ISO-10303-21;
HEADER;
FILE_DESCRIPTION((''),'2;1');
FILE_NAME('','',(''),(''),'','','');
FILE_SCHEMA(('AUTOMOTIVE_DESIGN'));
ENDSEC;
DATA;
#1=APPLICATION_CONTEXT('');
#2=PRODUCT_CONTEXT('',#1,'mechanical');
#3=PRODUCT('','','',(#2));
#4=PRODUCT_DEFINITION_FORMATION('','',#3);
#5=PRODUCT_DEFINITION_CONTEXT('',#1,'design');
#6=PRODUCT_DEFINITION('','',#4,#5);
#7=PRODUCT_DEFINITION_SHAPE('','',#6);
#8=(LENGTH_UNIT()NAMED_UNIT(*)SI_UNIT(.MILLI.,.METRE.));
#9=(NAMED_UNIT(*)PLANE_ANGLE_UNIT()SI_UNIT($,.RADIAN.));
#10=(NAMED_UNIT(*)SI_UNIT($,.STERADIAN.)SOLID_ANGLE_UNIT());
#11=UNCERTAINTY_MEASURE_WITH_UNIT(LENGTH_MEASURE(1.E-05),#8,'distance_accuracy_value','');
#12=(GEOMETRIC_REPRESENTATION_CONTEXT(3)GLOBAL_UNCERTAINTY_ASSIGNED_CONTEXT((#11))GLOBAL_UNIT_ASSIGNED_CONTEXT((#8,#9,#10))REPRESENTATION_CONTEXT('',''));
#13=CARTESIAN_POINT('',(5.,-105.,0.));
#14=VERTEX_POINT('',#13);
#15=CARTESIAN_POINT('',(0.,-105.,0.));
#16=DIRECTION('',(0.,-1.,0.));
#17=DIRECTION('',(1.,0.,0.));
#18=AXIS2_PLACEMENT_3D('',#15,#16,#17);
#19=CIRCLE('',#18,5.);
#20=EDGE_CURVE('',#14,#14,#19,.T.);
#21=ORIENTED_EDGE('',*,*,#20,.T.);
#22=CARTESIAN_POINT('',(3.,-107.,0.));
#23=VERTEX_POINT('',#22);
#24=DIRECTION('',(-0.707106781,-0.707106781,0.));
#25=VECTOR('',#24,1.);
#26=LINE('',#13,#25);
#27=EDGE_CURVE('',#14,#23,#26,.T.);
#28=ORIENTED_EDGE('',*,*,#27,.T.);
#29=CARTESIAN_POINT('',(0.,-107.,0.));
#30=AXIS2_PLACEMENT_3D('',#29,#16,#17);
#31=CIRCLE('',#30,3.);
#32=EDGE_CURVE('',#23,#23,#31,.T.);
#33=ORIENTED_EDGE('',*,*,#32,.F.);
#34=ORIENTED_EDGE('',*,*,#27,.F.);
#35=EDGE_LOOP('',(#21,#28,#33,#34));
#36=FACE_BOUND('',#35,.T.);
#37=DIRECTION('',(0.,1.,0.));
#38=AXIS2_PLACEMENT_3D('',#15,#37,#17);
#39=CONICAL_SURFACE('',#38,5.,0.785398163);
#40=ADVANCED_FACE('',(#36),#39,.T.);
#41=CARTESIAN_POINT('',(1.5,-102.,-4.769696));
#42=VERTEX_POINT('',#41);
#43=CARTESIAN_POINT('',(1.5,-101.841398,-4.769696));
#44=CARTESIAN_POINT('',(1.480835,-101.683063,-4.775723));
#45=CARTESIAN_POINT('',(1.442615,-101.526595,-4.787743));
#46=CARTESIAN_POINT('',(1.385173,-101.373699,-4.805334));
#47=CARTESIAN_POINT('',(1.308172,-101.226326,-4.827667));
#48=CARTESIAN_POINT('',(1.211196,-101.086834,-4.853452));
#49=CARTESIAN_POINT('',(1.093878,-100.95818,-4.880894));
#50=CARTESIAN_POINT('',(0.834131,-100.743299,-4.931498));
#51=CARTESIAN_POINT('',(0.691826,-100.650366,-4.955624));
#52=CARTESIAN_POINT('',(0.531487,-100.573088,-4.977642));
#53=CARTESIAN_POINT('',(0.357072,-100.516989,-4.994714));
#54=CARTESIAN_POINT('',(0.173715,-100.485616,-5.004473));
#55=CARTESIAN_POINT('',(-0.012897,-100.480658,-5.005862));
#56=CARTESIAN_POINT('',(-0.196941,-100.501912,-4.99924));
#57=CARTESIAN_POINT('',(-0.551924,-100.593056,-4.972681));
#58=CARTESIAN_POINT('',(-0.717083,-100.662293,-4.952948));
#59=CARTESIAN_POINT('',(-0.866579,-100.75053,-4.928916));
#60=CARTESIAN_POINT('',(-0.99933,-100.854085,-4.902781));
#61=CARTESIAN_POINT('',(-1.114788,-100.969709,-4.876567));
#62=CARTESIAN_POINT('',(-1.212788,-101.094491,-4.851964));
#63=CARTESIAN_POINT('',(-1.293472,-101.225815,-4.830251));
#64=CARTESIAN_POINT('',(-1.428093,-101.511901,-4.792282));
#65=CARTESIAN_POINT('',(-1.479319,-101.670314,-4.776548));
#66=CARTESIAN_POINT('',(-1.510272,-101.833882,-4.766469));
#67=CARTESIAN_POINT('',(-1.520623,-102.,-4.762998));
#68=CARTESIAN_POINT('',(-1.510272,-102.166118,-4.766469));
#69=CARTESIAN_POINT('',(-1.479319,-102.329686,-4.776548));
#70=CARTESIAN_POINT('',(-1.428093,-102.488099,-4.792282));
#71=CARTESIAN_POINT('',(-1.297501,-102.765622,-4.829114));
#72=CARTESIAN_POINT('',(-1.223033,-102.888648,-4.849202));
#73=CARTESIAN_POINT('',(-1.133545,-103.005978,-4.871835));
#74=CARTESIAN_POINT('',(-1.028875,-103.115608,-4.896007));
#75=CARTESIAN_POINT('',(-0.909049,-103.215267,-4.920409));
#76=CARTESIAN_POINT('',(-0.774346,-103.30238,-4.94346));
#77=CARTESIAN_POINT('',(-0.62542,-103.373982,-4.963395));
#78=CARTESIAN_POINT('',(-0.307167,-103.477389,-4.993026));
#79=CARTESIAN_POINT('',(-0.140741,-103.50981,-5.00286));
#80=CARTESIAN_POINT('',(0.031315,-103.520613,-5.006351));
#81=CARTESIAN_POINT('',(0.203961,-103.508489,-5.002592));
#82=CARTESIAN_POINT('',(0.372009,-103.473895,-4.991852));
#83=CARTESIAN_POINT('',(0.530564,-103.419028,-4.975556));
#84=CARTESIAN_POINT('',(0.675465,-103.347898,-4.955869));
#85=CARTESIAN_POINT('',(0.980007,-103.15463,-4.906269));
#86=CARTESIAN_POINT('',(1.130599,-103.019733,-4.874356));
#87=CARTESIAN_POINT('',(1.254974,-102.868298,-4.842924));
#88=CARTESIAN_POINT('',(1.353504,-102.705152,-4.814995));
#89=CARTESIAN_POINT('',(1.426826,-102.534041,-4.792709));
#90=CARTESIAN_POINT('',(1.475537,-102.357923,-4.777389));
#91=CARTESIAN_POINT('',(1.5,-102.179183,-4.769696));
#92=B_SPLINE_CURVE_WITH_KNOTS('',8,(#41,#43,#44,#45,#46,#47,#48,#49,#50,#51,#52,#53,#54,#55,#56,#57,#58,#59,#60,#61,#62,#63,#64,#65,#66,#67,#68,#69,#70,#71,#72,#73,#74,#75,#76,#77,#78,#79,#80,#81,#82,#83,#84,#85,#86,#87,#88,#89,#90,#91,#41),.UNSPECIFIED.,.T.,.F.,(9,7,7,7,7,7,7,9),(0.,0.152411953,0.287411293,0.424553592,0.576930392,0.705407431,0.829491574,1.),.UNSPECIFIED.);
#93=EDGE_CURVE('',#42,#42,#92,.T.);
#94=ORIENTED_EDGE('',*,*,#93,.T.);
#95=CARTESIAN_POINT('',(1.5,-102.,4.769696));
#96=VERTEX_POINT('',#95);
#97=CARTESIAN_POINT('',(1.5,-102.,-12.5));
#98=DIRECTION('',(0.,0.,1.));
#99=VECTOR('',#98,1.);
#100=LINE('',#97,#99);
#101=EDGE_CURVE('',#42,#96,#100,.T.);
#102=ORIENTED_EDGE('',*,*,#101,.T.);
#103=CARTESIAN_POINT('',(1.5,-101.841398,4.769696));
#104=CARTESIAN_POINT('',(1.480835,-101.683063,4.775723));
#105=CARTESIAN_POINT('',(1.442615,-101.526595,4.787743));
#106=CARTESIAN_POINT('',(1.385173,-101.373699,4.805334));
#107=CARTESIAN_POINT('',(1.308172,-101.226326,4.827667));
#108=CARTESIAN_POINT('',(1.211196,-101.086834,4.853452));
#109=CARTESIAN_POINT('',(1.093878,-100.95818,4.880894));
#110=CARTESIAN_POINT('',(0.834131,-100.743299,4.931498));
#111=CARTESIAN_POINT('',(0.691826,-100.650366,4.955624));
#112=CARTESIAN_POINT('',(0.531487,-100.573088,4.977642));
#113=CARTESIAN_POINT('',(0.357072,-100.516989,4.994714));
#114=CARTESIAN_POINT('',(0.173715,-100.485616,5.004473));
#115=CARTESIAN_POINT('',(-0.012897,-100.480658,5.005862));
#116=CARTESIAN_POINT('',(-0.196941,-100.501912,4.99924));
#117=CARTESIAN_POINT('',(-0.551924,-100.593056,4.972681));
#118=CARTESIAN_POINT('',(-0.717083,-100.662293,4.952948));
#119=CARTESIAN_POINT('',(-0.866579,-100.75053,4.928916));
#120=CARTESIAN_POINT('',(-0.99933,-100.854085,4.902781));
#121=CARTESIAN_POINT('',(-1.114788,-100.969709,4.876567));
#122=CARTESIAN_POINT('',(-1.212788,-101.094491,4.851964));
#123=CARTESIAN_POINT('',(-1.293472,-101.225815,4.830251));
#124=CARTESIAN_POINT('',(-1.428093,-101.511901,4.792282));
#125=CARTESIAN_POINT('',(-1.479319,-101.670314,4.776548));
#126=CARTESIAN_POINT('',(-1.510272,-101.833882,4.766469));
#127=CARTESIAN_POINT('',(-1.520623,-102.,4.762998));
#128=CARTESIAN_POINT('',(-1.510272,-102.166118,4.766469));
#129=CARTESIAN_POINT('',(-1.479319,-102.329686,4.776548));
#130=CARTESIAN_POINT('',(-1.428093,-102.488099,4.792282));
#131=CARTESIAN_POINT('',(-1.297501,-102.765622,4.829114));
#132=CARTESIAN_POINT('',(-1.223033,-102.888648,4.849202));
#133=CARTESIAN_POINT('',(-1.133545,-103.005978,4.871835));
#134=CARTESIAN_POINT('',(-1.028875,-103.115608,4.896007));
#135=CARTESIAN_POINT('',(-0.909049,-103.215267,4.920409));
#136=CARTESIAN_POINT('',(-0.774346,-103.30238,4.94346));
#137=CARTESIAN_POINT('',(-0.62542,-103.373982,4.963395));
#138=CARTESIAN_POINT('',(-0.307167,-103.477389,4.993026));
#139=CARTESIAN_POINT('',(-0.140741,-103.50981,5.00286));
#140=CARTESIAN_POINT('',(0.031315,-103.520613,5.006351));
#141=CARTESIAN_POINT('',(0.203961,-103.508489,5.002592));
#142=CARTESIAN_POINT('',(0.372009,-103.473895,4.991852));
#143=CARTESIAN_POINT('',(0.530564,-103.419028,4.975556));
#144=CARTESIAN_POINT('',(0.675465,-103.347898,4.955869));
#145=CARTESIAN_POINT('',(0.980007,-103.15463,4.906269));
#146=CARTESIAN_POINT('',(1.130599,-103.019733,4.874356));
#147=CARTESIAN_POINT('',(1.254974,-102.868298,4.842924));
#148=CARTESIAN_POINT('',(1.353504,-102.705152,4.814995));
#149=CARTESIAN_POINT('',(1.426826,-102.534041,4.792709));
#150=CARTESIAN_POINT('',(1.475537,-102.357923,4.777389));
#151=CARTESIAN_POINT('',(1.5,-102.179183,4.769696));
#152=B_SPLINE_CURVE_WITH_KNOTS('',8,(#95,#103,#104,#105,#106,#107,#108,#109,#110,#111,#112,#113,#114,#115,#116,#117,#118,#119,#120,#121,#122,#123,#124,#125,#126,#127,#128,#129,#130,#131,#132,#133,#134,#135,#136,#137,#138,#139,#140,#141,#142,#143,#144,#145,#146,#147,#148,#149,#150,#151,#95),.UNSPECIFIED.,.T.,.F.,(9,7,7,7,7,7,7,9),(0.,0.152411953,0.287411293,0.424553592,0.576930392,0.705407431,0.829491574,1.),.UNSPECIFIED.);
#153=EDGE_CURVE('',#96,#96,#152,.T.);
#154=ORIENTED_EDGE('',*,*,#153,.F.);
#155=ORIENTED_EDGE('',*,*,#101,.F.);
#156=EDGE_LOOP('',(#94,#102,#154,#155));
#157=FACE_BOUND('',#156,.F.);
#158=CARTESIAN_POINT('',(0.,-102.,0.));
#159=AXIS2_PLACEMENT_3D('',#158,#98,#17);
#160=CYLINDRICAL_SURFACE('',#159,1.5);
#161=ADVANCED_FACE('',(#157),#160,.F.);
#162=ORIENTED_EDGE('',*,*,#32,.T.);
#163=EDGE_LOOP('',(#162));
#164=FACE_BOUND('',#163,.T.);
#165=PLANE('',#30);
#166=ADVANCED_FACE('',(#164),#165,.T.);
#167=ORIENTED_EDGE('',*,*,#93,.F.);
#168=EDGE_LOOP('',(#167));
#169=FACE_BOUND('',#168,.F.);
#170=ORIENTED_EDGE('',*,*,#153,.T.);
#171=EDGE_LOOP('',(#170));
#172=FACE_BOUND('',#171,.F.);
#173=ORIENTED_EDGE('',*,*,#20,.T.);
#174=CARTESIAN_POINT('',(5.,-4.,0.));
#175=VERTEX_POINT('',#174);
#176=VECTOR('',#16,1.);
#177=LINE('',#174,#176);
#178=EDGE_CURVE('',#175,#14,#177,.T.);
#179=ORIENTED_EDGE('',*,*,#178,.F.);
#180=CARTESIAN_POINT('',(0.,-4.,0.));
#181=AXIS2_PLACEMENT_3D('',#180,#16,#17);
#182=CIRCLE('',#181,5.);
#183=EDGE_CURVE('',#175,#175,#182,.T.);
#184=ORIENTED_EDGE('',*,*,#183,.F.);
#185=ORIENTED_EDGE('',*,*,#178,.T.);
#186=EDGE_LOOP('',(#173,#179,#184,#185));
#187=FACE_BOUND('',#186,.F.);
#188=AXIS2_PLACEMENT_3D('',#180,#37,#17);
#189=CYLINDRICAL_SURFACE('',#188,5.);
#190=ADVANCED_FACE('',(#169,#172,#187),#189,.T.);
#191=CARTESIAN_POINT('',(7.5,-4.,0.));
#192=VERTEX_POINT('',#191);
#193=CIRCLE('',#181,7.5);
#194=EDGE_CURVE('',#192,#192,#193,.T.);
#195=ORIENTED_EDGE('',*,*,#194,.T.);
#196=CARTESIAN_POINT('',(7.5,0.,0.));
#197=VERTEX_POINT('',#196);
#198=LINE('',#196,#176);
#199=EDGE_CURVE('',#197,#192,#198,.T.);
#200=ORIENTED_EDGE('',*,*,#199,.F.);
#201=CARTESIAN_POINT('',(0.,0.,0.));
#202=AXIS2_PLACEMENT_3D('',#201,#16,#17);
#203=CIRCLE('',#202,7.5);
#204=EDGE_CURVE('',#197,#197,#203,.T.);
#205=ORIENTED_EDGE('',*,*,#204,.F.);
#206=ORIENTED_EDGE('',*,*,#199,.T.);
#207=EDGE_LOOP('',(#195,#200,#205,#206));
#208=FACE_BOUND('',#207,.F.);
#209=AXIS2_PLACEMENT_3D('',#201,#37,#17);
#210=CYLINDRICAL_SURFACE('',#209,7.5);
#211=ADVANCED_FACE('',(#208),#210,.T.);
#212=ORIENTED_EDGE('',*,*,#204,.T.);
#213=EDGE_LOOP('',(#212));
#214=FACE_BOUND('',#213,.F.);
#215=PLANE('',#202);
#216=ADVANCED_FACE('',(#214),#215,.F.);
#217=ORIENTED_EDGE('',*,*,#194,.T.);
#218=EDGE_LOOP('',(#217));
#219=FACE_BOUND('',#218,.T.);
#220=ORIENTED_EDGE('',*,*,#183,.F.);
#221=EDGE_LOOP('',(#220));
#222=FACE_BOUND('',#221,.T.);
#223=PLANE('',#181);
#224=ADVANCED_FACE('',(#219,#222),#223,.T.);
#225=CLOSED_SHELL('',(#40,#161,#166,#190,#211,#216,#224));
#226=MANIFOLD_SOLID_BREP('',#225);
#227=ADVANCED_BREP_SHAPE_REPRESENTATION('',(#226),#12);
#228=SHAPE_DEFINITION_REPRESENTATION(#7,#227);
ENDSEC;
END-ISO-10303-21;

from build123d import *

# Parameters (mm, degrees)
F0_R     = 7.5
F1_DEPTH = 4
F2_R     = 5
F3_DEPTH = 103
F4_R     = 1.5
F5_DEPTH = 12.5
F6_SIZE  = 2


with BuildPart() as f1:
    # F0 (on Front) → F1 (new body)
    with BuildSketch(Plane.XZ):
        Circle(F0_R)
    extrude(amount=F1_DEPTH)

    # F2 (on face) → F3 (join)
    with BuildSketch(Plane.XZ.offset(4)):
        Circle(F2_R)
    extrude(amount=F3_DEPTH)

    # F4 (on Top) → F5 (cut, symmetric)
    with BuildSketch(Plane.XY):
        with Locations((0, -102)):
            Circle(F4_R)
    extrude(amount=F5_DEPTH, both=True, mode=Mode.SUBTRACT)

    # F6
    f6_edges = [f1.edges().sort_by_distance(p)[0] for p in [
        (-5, -107, 0),
    ]]
    chamfer(f6_edges, length=F6_SIZE)


solid = f1.part
